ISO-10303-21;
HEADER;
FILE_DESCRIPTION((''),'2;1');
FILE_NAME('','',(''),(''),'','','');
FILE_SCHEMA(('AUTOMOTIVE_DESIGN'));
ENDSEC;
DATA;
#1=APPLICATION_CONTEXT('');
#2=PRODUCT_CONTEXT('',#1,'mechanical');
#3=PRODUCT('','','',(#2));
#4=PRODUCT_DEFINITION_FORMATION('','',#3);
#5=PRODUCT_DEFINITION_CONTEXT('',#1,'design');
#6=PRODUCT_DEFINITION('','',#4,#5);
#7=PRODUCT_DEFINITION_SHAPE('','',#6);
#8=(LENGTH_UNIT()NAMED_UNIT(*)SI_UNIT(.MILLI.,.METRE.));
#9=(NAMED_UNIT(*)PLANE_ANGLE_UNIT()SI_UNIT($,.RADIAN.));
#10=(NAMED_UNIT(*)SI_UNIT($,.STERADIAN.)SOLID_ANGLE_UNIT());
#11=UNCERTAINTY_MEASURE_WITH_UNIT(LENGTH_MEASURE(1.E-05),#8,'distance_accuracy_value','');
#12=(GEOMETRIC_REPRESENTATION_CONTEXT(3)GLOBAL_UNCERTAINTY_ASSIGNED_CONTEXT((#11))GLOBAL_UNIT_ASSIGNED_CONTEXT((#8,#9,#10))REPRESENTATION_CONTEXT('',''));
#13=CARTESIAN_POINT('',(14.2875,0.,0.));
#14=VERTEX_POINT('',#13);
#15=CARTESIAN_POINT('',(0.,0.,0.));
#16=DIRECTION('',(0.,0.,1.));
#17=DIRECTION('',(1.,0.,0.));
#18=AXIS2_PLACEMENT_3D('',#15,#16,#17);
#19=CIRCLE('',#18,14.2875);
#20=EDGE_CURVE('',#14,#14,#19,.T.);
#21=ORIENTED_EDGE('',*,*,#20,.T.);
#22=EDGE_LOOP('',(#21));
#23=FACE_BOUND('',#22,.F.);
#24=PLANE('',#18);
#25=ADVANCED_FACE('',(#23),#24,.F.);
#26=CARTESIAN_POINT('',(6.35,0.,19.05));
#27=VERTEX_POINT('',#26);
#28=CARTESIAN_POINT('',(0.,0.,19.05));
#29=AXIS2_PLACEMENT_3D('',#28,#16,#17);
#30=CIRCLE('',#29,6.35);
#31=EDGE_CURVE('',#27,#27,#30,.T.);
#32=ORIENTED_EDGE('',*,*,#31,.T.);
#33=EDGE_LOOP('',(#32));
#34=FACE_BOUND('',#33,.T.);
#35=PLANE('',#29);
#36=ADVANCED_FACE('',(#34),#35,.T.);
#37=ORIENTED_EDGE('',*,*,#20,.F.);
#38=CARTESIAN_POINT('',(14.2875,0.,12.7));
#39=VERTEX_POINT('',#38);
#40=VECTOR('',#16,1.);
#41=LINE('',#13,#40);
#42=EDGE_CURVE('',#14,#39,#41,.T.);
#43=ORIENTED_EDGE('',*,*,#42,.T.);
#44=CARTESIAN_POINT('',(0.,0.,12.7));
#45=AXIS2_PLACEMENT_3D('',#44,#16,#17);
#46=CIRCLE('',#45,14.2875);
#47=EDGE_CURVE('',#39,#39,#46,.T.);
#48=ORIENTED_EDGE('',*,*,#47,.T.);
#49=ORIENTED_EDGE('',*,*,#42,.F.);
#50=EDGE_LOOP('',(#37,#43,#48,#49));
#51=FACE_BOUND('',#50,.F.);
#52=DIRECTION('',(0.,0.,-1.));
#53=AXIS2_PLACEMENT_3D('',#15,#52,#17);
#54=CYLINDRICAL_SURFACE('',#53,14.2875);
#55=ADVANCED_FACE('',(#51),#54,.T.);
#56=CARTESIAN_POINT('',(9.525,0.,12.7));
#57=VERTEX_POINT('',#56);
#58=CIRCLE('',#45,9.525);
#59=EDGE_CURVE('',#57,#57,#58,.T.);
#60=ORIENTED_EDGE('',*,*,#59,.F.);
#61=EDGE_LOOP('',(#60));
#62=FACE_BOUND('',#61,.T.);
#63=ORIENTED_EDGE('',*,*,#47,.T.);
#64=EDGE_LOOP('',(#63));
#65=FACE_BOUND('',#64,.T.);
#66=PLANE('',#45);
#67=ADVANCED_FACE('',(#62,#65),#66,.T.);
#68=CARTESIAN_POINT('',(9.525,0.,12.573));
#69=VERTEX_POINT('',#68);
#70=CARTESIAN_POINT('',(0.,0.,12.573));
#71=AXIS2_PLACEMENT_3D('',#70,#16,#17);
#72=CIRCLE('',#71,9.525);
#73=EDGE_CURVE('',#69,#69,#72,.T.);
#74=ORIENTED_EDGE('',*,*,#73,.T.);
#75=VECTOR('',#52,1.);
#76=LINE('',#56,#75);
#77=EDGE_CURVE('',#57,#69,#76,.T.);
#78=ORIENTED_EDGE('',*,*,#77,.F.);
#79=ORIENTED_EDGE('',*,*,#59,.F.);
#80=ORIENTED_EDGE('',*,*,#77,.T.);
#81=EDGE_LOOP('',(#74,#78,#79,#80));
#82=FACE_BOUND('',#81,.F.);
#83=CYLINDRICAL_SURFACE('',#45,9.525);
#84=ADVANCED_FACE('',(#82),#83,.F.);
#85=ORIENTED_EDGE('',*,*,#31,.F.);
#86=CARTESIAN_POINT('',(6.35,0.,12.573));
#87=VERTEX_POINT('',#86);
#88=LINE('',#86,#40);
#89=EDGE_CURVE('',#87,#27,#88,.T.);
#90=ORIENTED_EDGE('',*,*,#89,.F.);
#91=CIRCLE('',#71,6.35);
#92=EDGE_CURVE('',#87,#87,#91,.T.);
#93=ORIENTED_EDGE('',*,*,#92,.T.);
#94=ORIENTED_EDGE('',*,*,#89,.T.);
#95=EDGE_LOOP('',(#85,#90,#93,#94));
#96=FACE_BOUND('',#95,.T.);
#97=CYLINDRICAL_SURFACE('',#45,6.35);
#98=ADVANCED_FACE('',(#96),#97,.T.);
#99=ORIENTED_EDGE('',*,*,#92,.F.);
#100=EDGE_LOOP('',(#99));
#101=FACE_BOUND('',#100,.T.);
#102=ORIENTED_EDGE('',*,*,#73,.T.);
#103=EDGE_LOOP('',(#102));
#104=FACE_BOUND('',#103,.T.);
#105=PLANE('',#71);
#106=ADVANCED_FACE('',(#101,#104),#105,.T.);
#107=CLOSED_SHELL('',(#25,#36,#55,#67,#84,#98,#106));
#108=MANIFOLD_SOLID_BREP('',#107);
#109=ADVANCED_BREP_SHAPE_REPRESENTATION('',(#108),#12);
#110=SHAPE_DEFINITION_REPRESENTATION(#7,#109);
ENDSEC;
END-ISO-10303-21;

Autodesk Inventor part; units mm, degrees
ref_plane "YZ Plane" through (0, 0, 0) normal (1, 0, 0) x (0, 1, 0)
ref_plane "XZ Plane" through (0, 0, 0) normal (0, 1, 0) x (-1, 0, 0)
ref_plane "XY Plane" through (0, 0, 0) normal (0, 0, 1) x (1, 0, 0)
sketch "Sketch1" plane through (0, 0, 0) normal (0, 0, 1) x (1, 0, 0)
  circle A0 centre (0, 0) radius 14.2875
  dimension "d0" = 28.575
extrude "Extrusion1" add sketch "Sketch1" along normal blind 12.7
sketch "Sketch2" plane through (0, 0, 12.7) normal (0, 0, 1) x (1, 0, 0)
  circle A0 centre (0, 0) radius 14.2875 projected
  circle A1 centre (0, 0) radius 6.35
  dimension "d4" = 12.7
extrude "Extrusion2" add sketch "Sketch2" along normal blind 6.35 contours A1
sketch "Sketch3" plane through (0, 0, 12.7) normal (0, 0, 1) x (1, 0, 0)
  circle A0 centre (0, 0) radius 6.35 projected
  circle A1 centre (0, 0) radius 14.2875 projected
  circle A2 centre (0, 0) radius 9.525
  dimension "d7" = 19.05
extrude "Extrusion3" cut sketch "Sketch3" against normal blind 0.127 contours A2
properties part number ".6250  Bearing Press"
